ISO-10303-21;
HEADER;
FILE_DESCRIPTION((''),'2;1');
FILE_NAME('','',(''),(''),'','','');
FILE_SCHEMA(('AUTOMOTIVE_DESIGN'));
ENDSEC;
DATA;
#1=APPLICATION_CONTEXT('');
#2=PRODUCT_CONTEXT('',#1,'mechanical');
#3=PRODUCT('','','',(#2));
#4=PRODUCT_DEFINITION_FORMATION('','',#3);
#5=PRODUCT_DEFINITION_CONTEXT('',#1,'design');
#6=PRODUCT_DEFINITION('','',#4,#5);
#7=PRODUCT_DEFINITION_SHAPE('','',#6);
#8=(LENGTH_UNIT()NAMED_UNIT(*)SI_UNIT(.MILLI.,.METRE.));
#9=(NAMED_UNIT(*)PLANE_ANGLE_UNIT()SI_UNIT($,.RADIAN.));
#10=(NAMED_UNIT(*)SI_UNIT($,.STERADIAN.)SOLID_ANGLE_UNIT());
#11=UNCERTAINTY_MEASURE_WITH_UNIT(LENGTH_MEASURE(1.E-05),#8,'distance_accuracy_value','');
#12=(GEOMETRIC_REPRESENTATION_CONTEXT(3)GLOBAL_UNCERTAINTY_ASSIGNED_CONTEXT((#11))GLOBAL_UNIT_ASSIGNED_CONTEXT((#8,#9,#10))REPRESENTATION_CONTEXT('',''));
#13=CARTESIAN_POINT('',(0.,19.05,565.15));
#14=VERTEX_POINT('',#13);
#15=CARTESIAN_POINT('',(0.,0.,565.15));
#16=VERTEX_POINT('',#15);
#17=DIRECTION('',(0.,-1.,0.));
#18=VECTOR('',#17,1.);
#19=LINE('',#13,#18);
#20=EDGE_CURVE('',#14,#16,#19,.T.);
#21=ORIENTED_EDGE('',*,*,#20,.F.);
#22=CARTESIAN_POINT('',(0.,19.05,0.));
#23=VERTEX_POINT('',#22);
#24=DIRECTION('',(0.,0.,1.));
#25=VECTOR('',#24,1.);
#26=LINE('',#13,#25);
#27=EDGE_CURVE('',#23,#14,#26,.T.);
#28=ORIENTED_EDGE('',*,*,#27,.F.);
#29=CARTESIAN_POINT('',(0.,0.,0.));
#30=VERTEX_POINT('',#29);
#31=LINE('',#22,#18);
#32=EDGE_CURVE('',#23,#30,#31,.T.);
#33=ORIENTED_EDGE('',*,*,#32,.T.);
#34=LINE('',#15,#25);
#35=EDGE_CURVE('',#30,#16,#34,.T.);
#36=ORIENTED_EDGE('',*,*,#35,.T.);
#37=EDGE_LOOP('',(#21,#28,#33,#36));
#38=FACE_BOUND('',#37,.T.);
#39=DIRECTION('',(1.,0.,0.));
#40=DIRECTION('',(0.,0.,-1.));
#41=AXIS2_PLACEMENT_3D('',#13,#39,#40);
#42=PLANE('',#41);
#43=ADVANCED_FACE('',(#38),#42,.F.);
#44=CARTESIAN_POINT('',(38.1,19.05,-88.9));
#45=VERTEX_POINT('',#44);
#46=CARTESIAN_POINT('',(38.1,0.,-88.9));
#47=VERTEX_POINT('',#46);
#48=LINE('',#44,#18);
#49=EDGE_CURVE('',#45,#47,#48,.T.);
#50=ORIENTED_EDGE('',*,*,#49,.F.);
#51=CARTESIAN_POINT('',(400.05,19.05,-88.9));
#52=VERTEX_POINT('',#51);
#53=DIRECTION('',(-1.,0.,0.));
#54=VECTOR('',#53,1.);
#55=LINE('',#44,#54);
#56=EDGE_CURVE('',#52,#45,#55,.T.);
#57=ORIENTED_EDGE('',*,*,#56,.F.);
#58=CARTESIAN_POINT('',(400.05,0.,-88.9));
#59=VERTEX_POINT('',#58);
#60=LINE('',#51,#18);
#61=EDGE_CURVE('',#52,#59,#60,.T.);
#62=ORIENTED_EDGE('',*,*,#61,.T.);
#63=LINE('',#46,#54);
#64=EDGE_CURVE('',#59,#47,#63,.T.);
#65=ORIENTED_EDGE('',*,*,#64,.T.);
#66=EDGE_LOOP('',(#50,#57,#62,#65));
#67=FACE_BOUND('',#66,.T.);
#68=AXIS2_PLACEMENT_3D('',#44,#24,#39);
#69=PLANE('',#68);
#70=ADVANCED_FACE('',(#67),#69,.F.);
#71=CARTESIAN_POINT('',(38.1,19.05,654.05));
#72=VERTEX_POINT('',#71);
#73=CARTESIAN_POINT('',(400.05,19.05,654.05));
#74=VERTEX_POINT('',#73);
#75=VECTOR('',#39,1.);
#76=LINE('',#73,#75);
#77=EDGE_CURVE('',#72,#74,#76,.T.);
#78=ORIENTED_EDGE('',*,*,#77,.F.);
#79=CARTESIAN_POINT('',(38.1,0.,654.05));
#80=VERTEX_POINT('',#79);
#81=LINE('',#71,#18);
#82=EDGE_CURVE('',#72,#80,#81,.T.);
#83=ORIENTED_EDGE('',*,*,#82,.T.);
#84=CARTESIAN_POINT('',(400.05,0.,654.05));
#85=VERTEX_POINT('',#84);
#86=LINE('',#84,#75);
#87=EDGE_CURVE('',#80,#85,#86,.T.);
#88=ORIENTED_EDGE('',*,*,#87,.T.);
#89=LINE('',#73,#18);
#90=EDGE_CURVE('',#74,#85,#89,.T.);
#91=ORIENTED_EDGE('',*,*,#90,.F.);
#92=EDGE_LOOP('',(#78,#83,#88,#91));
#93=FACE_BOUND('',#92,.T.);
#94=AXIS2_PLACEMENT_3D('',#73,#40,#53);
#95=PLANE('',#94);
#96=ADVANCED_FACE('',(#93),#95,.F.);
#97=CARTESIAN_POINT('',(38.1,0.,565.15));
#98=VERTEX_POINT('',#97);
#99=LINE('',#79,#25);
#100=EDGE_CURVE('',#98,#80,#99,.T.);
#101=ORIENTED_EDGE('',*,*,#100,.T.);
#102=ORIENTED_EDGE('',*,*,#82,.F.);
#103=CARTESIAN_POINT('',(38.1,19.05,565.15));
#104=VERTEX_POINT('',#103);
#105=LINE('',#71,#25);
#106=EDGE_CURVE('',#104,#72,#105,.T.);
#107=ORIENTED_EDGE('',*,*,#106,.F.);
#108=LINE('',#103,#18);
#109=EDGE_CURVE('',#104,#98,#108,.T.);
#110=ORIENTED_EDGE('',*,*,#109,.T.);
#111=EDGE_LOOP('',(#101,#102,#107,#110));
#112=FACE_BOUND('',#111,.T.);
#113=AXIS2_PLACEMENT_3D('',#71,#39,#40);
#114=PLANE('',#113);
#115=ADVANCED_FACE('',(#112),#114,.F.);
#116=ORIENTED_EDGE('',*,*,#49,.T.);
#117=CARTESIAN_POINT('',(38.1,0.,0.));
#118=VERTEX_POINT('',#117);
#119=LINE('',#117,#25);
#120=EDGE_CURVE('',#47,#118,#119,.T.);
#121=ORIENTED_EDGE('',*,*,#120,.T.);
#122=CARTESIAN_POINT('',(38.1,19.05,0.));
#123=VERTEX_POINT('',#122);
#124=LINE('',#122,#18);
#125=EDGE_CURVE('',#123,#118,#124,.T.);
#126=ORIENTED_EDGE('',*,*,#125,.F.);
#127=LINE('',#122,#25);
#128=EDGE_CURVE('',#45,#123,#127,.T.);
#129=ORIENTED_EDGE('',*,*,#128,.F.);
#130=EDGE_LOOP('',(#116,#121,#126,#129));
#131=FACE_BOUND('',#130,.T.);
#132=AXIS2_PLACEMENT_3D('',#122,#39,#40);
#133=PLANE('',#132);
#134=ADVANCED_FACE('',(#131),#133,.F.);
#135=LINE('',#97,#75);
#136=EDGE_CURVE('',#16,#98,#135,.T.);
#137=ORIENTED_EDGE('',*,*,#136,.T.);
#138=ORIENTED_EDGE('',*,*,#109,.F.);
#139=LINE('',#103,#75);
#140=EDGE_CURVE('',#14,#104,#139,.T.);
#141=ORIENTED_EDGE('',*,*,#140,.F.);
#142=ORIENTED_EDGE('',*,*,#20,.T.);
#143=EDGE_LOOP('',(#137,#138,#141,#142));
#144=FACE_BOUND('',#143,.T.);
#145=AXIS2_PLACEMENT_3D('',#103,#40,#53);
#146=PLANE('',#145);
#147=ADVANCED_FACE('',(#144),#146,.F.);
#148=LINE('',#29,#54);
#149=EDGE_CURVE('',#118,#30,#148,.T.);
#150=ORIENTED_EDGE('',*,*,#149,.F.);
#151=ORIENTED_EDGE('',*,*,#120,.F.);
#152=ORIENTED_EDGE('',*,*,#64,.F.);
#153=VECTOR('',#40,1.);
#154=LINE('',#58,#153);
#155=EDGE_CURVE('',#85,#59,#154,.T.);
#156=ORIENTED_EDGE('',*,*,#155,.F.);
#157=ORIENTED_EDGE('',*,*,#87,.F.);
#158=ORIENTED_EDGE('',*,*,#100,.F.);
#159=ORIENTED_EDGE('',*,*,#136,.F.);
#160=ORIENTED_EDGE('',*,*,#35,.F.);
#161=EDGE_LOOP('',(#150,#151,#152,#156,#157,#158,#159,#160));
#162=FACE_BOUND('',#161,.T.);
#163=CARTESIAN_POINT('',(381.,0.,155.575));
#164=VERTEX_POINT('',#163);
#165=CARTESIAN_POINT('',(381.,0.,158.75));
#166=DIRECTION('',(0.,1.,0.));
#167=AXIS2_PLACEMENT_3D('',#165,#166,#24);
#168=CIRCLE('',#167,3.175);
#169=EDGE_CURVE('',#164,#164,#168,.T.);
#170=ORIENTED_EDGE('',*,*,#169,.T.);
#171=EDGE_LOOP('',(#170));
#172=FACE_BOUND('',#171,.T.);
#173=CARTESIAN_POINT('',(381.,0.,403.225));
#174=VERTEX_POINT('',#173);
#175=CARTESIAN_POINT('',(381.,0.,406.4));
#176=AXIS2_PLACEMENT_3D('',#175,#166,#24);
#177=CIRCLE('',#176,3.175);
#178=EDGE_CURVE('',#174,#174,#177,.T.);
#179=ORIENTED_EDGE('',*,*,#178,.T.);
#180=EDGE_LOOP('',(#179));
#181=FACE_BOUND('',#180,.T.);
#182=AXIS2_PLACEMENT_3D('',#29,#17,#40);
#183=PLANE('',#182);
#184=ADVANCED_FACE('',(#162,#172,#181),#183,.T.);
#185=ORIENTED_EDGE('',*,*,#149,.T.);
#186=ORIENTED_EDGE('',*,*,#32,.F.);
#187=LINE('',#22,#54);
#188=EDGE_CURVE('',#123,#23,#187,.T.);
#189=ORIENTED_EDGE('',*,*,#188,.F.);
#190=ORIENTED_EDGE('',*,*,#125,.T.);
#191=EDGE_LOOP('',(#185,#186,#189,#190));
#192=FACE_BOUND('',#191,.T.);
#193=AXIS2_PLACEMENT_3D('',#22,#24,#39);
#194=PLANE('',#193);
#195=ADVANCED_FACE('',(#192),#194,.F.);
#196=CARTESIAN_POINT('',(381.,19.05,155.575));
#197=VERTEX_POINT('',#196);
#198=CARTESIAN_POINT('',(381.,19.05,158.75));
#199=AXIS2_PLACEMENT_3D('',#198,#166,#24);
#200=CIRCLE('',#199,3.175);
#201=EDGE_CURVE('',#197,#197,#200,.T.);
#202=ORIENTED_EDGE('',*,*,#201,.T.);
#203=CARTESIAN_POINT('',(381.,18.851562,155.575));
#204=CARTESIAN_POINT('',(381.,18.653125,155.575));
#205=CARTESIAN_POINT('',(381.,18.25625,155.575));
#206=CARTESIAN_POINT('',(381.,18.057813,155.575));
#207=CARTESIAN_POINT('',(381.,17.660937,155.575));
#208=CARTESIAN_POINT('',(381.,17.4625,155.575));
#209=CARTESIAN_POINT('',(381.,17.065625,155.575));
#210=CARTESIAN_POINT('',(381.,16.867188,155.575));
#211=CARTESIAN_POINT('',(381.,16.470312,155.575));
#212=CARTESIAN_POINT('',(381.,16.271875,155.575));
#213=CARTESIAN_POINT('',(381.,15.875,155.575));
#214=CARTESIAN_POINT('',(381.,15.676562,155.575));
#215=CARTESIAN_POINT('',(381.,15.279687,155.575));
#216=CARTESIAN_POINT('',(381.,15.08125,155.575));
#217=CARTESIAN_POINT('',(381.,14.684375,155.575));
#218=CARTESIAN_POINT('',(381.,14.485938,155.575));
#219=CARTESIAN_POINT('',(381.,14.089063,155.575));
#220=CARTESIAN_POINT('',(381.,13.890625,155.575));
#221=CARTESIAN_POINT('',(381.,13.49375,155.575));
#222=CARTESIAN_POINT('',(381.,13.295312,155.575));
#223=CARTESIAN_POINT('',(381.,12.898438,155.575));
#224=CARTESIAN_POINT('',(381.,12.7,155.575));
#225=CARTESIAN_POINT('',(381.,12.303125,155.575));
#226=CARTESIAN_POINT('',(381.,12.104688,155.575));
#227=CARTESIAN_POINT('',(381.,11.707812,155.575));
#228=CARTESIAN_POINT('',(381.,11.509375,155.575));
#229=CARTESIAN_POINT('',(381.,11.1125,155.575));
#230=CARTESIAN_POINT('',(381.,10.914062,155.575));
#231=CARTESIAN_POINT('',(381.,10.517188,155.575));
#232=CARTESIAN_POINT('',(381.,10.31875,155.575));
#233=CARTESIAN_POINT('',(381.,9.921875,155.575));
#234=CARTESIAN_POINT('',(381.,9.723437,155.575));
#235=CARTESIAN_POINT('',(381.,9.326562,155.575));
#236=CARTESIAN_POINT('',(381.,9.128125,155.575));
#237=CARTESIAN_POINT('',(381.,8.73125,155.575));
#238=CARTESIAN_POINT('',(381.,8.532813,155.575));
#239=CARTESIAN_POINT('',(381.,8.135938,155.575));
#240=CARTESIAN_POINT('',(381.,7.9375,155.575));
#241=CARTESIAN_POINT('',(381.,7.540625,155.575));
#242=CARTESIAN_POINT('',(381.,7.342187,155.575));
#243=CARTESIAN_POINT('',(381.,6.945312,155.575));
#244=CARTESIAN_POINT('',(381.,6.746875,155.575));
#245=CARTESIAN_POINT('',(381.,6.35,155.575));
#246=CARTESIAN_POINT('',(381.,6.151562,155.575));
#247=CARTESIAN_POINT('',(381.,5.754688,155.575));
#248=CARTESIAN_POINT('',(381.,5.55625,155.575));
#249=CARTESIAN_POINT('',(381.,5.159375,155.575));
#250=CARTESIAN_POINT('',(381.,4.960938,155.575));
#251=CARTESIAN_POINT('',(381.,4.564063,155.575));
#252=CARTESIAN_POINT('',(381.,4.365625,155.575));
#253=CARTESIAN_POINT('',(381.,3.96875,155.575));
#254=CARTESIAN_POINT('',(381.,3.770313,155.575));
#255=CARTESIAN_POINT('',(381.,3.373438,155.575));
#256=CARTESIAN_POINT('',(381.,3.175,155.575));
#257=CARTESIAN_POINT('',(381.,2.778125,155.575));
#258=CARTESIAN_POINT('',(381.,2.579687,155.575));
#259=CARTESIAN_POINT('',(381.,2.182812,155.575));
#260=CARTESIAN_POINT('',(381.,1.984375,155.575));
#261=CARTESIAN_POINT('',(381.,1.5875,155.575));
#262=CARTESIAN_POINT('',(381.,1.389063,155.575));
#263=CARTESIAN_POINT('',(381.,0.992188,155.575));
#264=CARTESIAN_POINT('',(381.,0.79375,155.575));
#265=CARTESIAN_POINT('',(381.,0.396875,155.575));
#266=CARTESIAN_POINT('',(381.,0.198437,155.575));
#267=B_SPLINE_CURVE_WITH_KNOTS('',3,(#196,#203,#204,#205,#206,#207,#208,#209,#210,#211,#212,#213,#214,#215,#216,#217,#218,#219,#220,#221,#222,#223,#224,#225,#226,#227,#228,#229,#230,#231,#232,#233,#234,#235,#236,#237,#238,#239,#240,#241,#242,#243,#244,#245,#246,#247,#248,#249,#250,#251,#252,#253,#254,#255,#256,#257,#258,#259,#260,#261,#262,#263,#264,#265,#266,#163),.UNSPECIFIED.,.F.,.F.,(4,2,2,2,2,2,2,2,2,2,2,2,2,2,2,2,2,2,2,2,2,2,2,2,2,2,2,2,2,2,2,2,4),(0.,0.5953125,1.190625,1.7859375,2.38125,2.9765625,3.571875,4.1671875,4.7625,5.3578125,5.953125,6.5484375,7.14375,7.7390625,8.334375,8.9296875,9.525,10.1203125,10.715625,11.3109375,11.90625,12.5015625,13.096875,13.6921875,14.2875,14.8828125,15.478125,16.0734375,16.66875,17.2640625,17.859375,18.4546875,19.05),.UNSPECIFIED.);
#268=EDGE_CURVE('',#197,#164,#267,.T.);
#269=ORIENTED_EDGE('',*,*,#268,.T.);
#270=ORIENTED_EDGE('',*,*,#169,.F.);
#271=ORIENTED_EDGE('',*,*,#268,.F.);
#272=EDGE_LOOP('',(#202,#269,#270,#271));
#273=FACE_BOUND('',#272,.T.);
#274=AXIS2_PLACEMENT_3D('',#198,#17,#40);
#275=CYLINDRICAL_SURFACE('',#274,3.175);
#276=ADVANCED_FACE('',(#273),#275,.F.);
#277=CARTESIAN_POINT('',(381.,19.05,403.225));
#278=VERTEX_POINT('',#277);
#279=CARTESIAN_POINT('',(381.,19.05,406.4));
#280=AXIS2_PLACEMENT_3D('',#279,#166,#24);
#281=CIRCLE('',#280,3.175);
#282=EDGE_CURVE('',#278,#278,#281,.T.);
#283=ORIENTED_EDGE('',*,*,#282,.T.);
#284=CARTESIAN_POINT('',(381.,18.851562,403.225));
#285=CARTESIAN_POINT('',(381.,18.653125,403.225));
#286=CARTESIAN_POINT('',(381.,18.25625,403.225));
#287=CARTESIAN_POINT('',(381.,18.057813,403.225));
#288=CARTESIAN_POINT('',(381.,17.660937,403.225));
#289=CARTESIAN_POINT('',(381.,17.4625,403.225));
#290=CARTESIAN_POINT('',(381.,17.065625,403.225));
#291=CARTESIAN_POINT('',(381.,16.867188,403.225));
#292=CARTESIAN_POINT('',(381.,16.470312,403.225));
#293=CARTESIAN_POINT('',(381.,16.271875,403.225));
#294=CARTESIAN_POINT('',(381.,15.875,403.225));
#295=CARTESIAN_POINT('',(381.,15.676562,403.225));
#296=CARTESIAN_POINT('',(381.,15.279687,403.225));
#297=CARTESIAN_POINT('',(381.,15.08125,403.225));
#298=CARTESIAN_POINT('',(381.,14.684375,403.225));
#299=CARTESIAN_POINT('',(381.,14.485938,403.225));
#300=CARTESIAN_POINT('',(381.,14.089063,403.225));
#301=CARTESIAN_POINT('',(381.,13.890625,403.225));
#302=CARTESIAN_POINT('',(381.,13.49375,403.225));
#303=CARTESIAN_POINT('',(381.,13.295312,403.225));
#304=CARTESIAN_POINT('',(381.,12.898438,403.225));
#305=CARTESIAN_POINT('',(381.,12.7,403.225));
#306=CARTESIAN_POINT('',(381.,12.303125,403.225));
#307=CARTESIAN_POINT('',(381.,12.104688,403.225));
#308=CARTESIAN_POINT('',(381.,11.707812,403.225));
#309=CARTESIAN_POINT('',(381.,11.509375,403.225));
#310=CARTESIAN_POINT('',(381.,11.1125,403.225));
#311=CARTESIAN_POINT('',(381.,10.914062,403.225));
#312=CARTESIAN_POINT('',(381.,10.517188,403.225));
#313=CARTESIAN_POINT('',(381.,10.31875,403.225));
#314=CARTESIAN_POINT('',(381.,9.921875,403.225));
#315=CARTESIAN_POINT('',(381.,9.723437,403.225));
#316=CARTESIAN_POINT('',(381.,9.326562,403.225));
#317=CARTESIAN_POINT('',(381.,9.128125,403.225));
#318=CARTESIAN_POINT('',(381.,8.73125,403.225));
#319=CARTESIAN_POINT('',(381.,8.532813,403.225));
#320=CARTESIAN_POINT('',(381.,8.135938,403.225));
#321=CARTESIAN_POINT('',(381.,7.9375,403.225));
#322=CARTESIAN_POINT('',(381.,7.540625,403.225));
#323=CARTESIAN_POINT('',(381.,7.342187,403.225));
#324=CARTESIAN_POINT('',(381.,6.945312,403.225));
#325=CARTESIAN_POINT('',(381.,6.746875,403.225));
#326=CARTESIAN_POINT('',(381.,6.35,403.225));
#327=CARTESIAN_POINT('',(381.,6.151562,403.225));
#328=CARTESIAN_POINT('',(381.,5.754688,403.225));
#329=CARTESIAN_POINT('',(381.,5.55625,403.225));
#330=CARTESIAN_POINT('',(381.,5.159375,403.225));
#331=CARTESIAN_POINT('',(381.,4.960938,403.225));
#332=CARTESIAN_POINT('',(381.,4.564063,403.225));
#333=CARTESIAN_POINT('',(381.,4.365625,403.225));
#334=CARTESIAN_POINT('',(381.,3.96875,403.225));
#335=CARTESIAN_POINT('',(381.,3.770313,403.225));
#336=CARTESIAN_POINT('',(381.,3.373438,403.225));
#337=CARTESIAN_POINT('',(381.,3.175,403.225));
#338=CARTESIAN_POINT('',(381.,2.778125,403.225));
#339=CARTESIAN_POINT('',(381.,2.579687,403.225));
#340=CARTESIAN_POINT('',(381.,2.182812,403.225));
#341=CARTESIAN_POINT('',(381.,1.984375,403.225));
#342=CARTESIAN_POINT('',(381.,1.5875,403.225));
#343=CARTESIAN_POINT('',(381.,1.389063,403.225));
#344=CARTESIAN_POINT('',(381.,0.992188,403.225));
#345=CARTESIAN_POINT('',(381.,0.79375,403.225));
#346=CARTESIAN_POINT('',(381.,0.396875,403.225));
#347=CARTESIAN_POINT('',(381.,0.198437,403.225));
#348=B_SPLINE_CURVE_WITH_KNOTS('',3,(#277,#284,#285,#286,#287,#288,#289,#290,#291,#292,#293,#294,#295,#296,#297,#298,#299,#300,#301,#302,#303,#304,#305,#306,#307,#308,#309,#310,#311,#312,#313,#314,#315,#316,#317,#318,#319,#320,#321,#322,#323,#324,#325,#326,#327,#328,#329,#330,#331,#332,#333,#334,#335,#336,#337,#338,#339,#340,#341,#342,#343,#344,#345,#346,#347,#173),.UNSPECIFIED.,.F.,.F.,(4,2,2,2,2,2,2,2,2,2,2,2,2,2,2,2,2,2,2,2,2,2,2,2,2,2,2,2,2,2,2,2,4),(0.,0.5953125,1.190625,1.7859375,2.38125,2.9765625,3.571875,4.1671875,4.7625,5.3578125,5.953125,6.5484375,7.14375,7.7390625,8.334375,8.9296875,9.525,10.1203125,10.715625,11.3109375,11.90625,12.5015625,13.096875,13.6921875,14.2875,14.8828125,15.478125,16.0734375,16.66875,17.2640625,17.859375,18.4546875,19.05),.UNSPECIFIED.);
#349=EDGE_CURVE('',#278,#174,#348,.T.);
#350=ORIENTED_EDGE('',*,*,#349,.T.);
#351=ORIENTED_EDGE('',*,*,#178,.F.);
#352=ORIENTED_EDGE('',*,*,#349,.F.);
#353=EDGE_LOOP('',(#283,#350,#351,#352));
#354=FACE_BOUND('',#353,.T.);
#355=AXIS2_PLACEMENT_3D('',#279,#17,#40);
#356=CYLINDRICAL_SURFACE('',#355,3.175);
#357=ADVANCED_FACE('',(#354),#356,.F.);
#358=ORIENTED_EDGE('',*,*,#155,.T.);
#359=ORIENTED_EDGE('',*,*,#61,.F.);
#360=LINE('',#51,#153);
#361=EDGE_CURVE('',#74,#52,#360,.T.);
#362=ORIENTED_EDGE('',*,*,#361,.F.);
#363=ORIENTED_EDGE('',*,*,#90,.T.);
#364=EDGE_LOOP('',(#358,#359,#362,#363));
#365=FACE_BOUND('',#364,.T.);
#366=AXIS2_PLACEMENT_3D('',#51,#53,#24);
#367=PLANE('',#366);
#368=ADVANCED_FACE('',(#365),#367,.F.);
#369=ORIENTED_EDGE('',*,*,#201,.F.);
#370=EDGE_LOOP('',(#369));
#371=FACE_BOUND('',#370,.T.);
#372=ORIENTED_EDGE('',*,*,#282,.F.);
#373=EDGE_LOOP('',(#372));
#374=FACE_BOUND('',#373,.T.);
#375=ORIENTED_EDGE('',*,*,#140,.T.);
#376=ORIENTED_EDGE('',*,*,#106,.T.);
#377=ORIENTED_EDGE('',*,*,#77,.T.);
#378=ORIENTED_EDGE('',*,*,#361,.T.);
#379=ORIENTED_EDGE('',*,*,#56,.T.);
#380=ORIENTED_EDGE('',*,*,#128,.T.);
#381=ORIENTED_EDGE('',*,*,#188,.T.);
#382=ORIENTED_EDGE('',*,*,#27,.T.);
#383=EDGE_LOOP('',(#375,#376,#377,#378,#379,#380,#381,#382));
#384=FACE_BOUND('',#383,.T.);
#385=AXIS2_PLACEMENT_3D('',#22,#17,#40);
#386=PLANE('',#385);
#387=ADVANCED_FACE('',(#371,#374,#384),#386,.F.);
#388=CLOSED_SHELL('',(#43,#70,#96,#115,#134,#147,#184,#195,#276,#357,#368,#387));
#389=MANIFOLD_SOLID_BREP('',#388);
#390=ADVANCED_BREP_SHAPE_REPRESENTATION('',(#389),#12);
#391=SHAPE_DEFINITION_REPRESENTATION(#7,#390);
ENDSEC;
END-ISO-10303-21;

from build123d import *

# Parameters (mm, degrees)
SKETCH1_R           = 3.175
BOSS_EXTRUDE1_DEPTH = 19.05


with BuildPart() as part:
    # Sketch1 → Boss-Extrude1 (new body)
    with BuildSketch(Plane(origin=(0, 0, 0), x_dir=(1, 0, 0), z_dir=(0, 1, 0))):
        Polygon((0, 0), (38.1, 0), (38.1, 88.9), (400.05, 88.9), (400.05, -654.05), (38.1, -654.05), (38.1, -565.15), (0, -565.15), align=None)
        with Locations(Location((381, -406.4, 0), (0, 0, 90))):
            Circle(SKETCH1_R, mode=Mode.SUBTRACT)
        with Locations(Location((381, -158.75, 0), (0, 0, 90))):
            Circle(SKETCH1_R, mode=Mode.SUBTRACT)
    extrude(amount=BOSS_EXTRUDE1_DEPTH)


solid = part.part
